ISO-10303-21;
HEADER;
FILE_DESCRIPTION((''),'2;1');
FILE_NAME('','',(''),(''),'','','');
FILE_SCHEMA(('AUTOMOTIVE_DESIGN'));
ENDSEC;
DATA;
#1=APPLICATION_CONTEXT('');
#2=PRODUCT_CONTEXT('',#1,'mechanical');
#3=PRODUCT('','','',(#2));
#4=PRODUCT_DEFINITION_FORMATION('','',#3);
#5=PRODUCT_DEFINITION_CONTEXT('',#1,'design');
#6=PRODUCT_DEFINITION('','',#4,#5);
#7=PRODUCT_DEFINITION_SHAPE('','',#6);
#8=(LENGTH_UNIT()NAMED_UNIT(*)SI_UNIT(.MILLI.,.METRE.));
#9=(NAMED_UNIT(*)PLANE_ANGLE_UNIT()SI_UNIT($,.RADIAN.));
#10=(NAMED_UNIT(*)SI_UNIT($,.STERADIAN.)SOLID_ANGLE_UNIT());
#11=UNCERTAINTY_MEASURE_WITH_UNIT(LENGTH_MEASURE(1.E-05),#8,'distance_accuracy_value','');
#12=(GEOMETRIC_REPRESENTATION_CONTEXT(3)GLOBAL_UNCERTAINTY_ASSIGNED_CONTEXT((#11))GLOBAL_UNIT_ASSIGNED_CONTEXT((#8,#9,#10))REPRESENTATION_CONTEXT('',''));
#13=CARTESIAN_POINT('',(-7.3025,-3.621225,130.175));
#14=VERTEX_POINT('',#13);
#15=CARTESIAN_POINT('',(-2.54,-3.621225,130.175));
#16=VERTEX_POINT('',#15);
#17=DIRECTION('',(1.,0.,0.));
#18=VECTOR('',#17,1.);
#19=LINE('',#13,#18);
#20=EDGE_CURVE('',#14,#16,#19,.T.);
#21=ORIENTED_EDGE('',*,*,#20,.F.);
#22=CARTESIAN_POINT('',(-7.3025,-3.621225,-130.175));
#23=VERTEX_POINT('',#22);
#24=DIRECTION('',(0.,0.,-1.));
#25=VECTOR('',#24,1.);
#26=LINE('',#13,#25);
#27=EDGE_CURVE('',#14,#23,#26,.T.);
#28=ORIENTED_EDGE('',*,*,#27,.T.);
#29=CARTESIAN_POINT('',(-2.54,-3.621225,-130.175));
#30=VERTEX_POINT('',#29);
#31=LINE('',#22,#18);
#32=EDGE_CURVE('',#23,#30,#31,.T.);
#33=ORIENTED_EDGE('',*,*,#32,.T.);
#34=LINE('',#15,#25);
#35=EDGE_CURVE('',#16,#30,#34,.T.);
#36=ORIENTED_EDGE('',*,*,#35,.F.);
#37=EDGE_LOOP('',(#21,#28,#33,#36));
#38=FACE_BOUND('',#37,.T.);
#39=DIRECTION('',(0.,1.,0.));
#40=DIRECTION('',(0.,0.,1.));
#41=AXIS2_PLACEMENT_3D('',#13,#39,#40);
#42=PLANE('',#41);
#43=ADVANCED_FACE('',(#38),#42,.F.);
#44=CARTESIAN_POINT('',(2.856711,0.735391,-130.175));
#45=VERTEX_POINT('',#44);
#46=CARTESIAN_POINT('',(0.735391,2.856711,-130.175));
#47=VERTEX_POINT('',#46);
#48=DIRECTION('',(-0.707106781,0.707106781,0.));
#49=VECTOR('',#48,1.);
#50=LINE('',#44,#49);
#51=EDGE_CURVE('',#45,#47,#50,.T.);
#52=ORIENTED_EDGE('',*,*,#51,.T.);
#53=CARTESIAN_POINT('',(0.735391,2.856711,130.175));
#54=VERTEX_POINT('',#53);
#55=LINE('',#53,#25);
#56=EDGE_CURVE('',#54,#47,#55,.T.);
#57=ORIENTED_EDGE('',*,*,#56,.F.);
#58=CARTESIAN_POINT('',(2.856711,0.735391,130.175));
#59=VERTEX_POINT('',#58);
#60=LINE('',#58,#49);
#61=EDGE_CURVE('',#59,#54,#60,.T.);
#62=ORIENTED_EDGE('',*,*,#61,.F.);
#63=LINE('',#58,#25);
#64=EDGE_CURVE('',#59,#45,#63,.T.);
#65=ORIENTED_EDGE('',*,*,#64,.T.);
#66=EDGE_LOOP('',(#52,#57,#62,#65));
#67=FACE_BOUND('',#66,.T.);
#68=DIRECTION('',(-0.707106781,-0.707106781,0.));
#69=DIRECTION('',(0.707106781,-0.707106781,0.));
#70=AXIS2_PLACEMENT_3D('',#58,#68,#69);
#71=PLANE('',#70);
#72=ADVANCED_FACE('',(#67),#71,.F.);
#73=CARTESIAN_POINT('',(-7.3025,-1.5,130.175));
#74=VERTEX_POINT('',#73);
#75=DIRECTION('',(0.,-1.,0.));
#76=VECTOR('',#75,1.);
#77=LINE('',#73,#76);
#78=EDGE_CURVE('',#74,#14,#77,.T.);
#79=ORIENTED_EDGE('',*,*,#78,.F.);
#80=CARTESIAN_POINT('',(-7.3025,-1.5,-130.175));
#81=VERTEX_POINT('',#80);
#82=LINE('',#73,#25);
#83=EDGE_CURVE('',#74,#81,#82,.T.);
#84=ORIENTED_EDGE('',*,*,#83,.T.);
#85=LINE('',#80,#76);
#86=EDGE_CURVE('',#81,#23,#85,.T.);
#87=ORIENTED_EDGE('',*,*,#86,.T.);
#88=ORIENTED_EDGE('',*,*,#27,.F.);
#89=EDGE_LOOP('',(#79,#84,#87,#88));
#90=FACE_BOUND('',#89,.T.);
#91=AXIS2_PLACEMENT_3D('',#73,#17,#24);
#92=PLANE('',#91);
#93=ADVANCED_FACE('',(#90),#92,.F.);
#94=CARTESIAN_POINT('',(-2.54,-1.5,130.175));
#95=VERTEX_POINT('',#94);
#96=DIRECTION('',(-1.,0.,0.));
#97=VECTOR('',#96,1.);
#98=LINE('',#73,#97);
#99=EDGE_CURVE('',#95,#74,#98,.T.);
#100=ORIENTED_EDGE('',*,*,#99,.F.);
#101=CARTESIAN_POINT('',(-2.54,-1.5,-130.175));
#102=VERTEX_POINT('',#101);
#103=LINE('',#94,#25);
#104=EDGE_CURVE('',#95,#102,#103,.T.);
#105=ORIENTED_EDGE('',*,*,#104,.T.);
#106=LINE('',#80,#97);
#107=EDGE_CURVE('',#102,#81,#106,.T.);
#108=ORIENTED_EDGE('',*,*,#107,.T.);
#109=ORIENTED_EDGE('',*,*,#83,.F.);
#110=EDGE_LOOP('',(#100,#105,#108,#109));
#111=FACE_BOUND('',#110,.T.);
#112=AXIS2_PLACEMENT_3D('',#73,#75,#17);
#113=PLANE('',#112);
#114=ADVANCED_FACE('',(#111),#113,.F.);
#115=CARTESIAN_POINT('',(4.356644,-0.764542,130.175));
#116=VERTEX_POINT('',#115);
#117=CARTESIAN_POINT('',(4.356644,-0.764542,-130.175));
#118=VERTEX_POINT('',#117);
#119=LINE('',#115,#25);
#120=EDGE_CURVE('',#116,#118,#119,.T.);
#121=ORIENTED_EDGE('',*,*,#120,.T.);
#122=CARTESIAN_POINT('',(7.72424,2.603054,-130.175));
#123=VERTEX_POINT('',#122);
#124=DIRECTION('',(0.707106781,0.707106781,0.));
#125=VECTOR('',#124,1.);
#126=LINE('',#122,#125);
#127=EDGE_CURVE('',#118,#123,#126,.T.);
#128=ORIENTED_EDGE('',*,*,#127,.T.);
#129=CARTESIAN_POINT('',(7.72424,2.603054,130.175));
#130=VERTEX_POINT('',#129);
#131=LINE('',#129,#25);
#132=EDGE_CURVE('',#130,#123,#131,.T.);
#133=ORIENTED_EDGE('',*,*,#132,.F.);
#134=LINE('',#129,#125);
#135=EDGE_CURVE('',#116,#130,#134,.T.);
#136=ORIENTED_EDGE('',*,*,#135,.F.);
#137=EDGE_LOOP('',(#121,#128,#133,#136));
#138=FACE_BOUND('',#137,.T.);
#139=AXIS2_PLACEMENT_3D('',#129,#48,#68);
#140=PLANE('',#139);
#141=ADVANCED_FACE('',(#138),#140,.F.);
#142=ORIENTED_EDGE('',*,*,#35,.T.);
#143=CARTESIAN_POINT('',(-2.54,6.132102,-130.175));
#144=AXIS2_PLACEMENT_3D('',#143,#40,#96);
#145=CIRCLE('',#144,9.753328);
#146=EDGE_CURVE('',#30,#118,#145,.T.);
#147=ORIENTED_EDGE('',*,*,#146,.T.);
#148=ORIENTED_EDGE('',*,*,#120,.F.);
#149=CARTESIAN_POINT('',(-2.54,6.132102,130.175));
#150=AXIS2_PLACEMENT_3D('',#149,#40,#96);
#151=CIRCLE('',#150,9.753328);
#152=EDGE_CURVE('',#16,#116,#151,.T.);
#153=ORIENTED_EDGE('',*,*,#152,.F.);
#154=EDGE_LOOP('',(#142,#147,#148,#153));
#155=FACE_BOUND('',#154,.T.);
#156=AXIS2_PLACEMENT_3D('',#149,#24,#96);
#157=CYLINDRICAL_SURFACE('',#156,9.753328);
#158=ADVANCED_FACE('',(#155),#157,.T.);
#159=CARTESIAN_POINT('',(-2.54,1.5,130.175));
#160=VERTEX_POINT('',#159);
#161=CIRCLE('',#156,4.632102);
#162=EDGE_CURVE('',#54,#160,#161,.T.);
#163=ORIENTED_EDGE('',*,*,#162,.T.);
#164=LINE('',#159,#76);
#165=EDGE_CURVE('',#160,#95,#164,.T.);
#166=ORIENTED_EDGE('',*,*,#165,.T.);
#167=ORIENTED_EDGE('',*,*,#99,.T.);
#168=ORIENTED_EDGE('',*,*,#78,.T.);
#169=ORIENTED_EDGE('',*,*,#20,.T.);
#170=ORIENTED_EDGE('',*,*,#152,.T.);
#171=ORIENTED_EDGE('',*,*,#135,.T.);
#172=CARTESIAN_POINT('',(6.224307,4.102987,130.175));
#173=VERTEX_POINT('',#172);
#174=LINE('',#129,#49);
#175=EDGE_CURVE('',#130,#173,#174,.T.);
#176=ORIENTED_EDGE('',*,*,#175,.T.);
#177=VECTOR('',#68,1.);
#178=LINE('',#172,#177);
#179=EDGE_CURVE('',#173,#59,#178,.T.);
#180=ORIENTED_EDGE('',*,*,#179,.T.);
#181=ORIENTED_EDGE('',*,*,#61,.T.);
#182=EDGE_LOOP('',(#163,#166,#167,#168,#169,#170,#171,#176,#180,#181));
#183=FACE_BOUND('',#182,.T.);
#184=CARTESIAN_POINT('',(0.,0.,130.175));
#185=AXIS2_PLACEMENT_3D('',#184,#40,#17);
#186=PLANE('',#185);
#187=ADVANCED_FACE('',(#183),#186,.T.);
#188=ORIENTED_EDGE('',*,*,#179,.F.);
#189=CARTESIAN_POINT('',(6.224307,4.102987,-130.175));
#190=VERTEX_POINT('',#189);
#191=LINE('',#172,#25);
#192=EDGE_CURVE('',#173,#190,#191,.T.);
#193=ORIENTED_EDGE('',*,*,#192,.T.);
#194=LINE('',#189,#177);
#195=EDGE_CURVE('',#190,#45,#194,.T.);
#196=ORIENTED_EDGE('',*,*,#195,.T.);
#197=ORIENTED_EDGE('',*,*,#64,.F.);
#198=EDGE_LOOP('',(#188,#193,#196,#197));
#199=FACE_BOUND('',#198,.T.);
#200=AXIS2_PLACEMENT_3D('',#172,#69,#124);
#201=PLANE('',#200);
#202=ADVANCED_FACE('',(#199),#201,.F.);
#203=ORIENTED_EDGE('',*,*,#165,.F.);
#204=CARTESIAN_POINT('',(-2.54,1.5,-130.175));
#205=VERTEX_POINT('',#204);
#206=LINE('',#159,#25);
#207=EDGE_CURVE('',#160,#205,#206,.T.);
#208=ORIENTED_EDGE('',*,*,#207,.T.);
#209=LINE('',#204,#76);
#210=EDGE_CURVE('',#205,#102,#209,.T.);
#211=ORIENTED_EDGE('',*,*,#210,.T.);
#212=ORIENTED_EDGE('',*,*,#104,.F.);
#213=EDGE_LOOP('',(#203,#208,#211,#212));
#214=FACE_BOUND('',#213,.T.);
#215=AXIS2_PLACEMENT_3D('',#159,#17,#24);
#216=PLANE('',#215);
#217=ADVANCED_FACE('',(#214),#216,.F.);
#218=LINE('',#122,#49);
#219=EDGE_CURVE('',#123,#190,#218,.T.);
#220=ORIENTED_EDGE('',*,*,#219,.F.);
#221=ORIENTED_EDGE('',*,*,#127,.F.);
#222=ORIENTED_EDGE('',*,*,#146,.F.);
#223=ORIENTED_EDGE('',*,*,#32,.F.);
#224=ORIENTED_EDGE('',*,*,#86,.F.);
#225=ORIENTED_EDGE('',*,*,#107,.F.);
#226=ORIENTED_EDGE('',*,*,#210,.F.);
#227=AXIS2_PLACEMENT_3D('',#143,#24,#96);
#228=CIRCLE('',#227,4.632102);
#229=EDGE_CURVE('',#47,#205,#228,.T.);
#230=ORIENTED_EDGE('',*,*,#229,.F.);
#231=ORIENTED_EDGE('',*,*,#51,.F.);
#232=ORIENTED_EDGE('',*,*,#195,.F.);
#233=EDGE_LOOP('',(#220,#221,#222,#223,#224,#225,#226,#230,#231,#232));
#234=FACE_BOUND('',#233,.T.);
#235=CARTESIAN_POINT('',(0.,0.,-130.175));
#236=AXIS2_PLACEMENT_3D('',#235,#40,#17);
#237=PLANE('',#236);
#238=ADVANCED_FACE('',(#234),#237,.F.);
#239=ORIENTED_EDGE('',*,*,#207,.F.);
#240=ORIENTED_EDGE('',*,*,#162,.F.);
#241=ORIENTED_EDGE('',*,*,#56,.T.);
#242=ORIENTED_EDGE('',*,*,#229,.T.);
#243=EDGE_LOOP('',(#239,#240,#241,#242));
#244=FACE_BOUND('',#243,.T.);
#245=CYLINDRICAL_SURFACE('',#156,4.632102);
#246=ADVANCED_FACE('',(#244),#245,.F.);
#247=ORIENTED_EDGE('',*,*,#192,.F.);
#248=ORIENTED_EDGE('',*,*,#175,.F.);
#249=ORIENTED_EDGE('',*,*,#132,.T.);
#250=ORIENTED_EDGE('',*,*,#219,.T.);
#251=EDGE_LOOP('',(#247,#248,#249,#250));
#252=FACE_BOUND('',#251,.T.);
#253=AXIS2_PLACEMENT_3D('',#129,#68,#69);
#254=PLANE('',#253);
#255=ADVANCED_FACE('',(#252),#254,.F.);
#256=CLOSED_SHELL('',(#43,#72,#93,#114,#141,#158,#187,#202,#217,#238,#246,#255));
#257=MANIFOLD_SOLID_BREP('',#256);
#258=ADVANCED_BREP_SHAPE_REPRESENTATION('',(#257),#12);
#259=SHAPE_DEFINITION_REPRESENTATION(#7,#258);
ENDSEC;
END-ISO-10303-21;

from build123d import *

# Parameters (mm, degrees)
SKETCH7_W           = 4.7625
SKETCH7_H           = 2.12122512
BOSS_EXTRUDE2_DEPTH = 130.175
BOSS_EXTRUDE3_DEPTH = 130.175
BOSS_EXTRUDE4_DEPTH = 130.175


with BuildPart() as part:
    # Sketch7 → Boss-Extrude2 (new, symmetric)
    with BuildSketch(Plane.XY):
        with Locations((-4.92125, -2.560612608)):
            Rectangle(SKETCH7_W, SKETCH7_H)
    extrude(amount=BOSS_EXTRUDE2_DEPTH, both=True)



with BuildPart() as body_2:
    # Sketch8 → Boss-Extrude3 (new, symmetric)
    with BuildSketch(Plane.XY):
        Polygon((2.85671143, 0.735391018), (6.224307475, 4.102987064), (7.724240142, 2.603054397), (4.356644097, -0.764541648), align=None)
    extrude(amount=BOSS_EXTRUDE3_DEPTH, both=True)


with BuildPart() as part_1:
    add(part.part)

    add(body_2.part)  # Boss-Extrude4 merges body 2
    # Sketch11 → Boss-Extrude4 (add, symmetric)
    with BuildSketch(Plane.XY):
        with BuildLine():
            Line((-2.54, -1.500000048), (-7.3025, -1.500000048))
            Line((-7.3025, -1.500000048), (-7.3025, -3.621225168))
            Line((-7.3025, -3.621225168), (-2.54, -3.621225168))
            ThreePointArc((-2.54, -3.621225168), (1.192436889, -2.87879731), (4.356644097, -0.764541648))
            Line((4.356644097, -0.764541648), (7.724240142, 2.603054397))
            Line((7.724240142, 2.603054397), (6.224307475, 4.102987064))
            Line((6.224307475, 4.102987064), (2.85671143, 0.735391018))
            Line((2.85671143, 0.735391018), (0.735391018, 2.85671143))
            ThreePointArc((0.735391018, 2.85671143), (-0.767371154, 1.852597848), (-2.54, 1.500000048))
            Line((-2.54, 1.500000048), (-2.54, -1.500000048))
        make_face()
    extrude(amount=BOSS_EXTRUDE4_DEPTH, both=True)


solid = part_1.part
